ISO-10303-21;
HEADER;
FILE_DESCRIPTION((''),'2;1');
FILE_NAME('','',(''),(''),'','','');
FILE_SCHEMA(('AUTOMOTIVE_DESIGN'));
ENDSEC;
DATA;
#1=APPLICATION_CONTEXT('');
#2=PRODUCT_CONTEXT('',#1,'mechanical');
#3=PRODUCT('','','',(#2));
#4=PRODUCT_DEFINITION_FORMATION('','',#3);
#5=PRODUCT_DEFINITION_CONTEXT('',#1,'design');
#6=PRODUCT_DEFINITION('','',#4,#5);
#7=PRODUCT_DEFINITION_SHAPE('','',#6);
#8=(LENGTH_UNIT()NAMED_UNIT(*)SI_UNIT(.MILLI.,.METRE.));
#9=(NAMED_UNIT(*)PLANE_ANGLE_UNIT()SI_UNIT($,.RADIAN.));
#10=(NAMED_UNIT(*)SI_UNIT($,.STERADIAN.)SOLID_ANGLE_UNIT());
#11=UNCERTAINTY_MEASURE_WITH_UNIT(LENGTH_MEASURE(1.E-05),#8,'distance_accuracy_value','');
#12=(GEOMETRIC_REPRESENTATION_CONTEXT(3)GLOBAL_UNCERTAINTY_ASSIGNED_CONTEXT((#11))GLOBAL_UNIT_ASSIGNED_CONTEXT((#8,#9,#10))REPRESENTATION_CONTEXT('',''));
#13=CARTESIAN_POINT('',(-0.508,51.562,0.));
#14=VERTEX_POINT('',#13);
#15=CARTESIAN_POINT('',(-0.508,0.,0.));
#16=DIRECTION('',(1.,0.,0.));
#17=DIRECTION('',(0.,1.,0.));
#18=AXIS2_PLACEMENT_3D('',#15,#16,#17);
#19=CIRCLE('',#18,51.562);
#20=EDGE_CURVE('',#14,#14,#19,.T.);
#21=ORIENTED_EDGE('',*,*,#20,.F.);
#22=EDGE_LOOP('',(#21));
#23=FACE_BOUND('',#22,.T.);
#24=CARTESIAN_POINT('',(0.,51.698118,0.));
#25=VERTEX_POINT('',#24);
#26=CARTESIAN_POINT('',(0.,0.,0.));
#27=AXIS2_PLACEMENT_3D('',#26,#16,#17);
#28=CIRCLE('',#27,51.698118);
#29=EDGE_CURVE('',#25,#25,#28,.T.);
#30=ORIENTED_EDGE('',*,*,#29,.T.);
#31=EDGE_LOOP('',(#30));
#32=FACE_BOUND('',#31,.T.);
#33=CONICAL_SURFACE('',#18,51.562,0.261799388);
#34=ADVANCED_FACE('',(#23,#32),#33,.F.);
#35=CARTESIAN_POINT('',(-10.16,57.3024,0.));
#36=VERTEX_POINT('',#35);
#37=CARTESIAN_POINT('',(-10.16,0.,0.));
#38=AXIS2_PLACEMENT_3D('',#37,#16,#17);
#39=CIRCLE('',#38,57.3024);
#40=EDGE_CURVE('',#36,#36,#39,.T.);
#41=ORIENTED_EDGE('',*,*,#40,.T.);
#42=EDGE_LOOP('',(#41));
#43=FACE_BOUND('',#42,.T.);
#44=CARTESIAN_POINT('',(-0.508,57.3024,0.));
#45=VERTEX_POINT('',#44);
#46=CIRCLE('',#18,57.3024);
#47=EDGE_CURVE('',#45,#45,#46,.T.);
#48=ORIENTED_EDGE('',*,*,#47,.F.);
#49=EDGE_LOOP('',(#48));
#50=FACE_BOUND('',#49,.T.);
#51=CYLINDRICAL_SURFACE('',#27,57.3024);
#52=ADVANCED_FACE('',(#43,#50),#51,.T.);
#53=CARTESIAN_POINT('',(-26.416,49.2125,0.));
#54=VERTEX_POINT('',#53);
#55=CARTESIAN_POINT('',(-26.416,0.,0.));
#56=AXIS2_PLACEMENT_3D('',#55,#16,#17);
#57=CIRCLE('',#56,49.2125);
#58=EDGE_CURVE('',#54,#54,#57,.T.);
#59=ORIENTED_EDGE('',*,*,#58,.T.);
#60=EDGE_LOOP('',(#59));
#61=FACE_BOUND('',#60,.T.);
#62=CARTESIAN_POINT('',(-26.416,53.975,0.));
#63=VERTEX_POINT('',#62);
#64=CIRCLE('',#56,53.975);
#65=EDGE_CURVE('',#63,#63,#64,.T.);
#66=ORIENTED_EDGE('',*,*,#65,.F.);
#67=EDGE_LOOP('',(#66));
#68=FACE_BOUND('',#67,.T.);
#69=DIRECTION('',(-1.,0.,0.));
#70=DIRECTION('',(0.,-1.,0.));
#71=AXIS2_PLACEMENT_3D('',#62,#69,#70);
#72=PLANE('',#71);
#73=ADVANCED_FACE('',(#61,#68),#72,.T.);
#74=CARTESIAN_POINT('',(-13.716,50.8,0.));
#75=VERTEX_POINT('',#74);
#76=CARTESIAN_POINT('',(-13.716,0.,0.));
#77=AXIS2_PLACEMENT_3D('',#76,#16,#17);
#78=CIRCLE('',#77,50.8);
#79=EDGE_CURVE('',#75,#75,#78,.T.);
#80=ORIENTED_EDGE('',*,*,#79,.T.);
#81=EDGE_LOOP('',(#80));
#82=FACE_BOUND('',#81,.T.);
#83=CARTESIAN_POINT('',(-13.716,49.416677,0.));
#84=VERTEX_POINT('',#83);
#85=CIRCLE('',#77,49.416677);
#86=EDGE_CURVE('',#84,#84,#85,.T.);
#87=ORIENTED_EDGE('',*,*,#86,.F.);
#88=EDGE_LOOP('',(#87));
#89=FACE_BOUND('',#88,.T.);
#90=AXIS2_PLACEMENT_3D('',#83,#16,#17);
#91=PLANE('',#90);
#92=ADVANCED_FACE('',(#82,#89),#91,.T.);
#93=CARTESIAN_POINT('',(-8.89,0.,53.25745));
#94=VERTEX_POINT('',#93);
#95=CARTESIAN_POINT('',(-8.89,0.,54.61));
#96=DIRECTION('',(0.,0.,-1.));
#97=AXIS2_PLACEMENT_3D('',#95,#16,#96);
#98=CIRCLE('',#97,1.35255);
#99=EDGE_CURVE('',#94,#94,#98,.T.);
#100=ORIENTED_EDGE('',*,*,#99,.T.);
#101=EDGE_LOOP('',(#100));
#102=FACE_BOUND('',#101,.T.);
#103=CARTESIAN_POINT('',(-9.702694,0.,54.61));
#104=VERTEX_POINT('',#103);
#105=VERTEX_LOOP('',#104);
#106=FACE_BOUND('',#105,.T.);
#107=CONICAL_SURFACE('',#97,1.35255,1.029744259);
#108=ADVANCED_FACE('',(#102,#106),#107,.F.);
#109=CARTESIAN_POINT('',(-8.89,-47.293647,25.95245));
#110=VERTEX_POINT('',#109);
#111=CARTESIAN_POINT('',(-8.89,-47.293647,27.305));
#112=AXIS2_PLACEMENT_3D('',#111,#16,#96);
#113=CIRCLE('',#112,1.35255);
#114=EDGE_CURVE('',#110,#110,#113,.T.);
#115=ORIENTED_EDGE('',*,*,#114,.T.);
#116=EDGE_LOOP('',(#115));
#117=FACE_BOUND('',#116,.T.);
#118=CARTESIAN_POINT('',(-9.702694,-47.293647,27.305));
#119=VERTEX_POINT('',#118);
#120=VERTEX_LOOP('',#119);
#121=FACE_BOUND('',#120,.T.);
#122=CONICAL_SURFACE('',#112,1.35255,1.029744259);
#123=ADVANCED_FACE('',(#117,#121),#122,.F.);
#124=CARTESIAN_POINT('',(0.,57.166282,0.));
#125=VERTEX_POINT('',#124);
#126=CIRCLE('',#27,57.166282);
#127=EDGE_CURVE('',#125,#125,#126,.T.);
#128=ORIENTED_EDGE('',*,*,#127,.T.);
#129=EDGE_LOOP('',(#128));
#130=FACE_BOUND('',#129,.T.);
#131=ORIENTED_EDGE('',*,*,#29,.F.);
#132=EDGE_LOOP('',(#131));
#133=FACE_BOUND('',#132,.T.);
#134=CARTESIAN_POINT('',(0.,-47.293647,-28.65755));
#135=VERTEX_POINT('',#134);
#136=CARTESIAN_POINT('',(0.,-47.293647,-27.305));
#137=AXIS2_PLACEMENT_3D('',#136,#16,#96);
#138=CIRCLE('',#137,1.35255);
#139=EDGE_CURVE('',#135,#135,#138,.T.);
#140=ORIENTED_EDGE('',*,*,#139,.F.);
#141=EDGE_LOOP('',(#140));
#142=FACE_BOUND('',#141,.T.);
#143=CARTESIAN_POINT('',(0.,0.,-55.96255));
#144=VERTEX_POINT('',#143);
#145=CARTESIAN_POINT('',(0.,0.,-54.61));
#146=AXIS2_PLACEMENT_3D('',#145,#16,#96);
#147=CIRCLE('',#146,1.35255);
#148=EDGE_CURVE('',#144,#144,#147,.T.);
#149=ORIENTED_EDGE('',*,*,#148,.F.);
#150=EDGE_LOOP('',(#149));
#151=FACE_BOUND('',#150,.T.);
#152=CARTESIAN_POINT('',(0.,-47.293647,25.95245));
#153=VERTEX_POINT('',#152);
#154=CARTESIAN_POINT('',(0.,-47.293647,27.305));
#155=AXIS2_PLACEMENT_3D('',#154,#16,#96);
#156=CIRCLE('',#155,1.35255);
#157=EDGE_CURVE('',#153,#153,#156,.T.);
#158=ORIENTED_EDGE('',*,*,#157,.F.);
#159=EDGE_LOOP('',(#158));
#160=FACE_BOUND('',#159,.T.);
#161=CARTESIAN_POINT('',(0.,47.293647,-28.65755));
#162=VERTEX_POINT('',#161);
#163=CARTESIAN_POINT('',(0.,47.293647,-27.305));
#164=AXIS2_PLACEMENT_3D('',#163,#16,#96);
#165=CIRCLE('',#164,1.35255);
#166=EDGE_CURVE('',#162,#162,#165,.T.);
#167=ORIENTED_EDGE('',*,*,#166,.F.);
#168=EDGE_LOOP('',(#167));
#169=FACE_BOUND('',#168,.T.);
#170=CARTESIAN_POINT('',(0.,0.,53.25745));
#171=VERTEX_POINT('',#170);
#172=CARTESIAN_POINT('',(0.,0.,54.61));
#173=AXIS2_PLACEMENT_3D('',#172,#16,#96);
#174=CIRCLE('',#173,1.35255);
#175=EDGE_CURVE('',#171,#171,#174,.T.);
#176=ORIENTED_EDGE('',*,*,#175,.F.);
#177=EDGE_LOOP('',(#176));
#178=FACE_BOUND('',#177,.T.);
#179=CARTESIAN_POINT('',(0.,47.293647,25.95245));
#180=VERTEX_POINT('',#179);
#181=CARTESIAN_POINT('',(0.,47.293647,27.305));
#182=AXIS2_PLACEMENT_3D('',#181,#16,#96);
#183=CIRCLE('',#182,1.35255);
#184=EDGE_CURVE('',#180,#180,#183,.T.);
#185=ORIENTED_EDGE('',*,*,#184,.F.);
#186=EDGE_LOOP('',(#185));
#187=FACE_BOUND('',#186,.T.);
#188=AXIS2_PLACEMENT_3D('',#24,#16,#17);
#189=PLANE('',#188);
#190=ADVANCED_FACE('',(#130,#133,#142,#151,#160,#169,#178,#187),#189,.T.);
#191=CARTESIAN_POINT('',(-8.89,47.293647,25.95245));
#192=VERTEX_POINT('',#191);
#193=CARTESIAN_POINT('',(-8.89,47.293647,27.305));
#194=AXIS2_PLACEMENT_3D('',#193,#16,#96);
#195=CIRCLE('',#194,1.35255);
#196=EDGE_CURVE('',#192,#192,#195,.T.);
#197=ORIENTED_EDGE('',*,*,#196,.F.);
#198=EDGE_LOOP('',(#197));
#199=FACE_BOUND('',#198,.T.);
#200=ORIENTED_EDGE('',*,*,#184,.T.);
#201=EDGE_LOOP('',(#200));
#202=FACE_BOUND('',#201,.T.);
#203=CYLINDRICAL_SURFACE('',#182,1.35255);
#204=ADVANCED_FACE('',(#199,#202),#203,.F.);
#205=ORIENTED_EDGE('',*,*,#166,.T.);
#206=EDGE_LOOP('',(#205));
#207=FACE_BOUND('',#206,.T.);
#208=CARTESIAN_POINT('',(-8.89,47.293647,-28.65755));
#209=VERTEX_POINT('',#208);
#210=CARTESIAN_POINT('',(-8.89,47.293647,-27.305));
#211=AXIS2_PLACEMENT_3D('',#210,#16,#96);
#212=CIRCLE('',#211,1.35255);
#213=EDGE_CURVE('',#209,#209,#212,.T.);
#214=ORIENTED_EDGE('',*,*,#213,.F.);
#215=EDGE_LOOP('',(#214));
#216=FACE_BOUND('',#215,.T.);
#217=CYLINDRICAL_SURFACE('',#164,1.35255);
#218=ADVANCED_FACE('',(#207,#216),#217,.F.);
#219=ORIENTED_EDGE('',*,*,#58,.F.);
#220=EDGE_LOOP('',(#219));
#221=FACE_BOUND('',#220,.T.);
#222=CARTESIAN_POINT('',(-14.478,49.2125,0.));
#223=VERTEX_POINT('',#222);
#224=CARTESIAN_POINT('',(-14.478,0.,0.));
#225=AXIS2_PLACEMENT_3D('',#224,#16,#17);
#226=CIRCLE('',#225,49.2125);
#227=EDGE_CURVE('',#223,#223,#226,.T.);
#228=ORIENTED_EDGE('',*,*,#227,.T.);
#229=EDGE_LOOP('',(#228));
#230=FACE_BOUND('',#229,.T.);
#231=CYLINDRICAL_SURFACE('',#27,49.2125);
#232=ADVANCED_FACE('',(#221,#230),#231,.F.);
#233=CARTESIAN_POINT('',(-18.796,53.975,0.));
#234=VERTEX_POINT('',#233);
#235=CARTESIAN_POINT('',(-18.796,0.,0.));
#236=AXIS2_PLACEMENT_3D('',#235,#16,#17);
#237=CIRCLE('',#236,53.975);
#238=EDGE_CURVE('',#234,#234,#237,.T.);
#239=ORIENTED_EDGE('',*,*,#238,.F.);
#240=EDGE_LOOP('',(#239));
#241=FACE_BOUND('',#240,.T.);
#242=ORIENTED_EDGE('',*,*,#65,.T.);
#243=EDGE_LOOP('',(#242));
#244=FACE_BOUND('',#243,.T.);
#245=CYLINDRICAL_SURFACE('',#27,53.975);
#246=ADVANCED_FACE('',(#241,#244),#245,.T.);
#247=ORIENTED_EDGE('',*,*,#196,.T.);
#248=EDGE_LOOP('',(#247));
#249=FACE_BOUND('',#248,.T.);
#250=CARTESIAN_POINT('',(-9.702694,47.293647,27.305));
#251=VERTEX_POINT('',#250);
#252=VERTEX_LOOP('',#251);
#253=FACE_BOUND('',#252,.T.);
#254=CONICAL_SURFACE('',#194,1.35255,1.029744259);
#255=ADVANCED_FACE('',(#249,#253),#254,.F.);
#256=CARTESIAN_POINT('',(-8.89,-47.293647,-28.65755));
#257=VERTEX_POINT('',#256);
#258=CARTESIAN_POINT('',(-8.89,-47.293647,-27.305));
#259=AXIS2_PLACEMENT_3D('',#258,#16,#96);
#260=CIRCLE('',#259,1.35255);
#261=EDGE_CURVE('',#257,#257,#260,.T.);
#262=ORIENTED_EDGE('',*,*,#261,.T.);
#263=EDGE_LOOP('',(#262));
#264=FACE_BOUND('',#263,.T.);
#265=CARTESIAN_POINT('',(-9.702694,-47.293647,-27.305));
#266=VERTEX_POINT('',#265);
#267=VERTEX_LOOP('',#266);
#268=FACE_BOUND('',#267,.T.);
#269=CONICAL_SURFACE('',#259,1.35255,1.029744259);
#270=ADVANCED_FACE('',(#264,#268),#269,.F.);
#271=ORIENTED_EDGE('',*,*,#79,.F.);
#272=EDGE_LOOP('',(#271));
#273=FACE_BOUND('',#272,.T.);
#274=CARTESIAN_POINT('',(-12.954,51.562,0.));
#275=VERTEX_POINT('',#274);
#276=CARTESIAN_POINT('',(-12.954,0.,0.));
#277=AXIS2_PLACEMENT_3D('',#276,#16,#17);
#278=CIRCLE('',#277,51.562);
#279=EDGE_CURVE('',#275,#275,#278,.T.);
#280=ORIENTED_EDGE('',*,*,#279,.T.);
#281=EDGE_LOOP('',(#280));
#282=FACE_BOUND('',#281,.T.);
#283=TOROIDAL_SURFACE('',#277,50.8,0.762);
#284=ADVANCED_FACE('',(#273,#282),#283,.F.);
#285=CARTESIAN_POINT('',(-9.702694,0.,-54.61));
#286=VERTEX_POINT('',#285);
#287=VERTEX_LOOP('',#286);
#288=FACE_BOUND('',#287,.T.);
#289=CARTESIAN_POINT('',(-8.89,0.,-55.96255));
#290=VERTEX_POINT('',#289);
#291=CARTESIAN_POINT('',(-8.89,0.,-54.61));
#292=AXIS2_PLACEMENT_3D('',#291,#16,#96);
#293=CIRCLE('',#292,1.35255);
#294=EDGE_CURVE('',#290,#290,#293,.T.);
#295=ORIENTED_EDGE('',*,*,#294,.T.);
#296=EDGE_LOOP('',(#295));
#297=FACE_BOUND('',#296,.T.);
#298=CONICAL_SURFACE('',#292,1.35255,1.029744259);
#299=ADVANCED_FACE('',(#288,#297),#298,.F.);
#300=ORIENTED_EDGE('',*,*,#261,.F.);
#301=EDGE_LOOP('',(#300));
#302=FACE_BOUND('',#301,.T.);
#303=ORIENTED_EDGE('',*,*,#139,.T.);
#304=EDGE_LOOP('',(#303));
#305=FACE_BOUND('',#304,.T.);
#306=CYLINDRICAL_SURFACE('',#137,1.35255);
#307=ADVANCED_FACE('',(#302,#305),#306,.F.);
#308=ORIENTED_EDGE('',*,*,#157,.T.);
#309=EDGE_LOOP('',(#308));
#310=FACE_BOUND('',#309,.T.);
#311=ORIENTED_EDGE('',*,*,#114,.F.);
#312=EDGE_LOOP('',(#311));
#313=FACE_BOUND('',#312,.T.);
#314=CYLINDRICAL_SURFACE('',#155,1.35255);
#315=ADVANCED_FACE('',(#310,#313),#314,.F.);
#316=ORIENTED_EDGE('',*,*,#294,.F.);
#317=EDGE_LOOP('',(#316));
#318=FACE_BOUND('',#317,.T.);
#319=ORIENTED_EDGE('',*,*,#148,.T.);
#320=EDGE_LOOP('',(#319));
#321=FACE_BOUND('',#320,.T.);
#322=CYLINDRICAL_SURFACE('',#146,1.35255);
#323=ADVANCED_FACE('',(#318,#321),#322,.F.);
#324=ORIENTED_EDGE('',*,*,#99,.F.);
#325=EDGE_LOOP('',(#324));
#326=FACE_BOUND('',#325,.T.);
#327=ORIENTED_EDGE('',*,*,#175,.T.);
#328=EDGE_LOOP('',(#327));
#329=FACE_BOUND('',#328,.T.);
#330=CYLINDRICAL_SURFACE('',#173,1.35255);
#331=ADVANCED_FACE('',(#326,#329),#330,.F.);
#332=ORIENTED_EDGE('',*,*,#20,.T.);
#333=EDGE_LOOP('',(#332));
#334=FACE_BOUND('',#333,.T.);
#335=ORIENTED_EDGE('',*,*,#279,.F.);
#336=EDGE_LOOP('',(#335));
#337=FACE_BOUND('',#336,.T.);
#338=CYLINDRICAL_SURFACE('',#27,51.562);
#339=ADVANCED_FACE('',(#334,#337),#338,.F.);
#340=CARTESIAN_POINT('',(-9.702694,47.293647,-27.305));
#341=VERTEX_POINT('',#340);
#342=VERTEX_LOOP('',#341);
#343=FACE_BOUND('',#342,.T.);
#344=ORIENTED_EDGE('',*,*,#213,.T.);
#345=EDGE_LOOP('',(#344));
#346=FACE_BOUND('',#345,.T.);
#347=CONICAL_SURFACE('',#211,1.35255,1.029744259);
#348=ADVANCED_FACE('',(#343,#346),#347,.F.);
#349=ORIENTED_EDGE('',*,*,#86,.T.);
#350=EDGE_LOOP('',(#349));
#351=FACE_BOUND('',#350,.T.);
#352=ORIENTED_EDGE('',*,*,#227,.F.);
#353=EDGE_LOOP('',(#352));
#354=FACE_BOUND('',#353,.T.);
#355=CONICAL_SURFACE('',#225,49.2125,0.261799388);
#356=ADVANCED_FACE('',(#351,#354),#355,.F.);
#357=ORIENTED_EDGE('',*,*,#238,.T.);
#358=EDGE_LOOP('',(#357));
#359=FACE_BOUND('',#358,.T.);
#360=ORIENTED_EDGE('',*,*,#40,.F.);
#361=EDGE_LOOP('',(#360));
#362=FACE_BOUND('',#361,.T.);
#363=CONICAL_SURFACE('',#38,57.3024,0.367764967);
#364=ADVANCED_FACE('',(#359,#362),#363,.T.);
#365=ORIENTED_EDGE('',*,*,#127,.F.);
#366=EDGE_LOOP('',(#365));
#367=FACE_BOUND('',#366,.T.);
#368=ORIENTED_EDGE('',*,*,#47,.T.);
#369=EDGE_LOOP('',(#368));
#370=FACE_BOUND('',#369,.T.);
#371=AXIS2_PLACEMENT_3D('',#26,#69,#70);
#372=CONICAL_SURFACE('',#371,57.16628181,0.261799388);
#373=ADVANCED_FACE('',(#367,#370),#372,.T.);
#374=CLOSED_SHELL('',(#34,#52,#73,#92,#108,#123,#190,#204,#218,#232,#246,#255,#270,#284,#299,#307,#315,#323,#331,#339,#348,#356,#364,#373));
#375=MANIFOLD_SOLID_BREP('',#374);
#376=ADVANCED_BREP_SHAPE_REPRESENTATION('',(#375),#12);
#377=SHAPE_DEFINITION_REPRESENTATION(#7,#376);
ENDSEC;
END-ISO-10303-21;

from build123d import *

# Parameters (mm, degrees)
CIRPATTERN1_COUNT = 6


with BuildPart() as part:
    # Sketch1 → Revolve1 (revolve)
    with BuildSketch(Plane.XY):
        with BuildLine():
            Line((-18.796, 53.975), (-10.16, 57.3024))
            Line((-10.16, 57.3024), (-0.508, 57.3024))
            Line((-0.508, 57.3024), (0, 57.16628181))
            Line((0, 57.16628181), (0, 51.69811819))
            Line((0, 51.69811819), (-0.508, 51.562))
            Line((-0.508, 51.562), (-12.954, 51.562))
            ThreePointArc((-12.954, 51.562), (-13.492815367, 51.338815367), (-13.716, 50.8))
            Line((-13.716, 50.8), (-13.716, 49.416677285))
            Line((-13.716, 49.416677285), (-14.478, 49.2125))
            Line((-14.478, 49.2125), (-26.416, 49.2125))
            Line((-26.416, 49.2125), (-26.416, 53.975))
            Line((-26.416, 53.975), (-18.796, 53.975))
        make_face()
    revolve(axis=Axis((0, 0, 0), (-1, 0, 0)))

    # Sketch6 → #6-32 Tapped Hole1 (revolve, cut)
    with BuildSketch(Plane(origin=(0, 0, 54.61), x_dir=(0, 0, -1), z_dir=(0, 1, 0))):
        Polygon((0, 0), (0, 9.70269403), (1.35255, 8.89), (1.35255, 0), align=None)
    f_6_32_tapped_hole1 = revolve(axis=Axis((6.35, 0, 54.61), (-1, 0, 0)), mode=Mode.SUBTRACT)

    # CirPattern1: #6-32 Tapped Hole1 ×6 about axis
    cirpattern1_axis = Axis((0, 0, 0), (1, 0, 0))
    for i in range(1, CIRPATTERN1_COUNT):
        add(f_6_32_tapped_hole1.rotate(cirpattern1_axis, i * 360 / CIRPATTERN1_COUNT), mode=Mode.SUBTRACT)


solid = part.part
